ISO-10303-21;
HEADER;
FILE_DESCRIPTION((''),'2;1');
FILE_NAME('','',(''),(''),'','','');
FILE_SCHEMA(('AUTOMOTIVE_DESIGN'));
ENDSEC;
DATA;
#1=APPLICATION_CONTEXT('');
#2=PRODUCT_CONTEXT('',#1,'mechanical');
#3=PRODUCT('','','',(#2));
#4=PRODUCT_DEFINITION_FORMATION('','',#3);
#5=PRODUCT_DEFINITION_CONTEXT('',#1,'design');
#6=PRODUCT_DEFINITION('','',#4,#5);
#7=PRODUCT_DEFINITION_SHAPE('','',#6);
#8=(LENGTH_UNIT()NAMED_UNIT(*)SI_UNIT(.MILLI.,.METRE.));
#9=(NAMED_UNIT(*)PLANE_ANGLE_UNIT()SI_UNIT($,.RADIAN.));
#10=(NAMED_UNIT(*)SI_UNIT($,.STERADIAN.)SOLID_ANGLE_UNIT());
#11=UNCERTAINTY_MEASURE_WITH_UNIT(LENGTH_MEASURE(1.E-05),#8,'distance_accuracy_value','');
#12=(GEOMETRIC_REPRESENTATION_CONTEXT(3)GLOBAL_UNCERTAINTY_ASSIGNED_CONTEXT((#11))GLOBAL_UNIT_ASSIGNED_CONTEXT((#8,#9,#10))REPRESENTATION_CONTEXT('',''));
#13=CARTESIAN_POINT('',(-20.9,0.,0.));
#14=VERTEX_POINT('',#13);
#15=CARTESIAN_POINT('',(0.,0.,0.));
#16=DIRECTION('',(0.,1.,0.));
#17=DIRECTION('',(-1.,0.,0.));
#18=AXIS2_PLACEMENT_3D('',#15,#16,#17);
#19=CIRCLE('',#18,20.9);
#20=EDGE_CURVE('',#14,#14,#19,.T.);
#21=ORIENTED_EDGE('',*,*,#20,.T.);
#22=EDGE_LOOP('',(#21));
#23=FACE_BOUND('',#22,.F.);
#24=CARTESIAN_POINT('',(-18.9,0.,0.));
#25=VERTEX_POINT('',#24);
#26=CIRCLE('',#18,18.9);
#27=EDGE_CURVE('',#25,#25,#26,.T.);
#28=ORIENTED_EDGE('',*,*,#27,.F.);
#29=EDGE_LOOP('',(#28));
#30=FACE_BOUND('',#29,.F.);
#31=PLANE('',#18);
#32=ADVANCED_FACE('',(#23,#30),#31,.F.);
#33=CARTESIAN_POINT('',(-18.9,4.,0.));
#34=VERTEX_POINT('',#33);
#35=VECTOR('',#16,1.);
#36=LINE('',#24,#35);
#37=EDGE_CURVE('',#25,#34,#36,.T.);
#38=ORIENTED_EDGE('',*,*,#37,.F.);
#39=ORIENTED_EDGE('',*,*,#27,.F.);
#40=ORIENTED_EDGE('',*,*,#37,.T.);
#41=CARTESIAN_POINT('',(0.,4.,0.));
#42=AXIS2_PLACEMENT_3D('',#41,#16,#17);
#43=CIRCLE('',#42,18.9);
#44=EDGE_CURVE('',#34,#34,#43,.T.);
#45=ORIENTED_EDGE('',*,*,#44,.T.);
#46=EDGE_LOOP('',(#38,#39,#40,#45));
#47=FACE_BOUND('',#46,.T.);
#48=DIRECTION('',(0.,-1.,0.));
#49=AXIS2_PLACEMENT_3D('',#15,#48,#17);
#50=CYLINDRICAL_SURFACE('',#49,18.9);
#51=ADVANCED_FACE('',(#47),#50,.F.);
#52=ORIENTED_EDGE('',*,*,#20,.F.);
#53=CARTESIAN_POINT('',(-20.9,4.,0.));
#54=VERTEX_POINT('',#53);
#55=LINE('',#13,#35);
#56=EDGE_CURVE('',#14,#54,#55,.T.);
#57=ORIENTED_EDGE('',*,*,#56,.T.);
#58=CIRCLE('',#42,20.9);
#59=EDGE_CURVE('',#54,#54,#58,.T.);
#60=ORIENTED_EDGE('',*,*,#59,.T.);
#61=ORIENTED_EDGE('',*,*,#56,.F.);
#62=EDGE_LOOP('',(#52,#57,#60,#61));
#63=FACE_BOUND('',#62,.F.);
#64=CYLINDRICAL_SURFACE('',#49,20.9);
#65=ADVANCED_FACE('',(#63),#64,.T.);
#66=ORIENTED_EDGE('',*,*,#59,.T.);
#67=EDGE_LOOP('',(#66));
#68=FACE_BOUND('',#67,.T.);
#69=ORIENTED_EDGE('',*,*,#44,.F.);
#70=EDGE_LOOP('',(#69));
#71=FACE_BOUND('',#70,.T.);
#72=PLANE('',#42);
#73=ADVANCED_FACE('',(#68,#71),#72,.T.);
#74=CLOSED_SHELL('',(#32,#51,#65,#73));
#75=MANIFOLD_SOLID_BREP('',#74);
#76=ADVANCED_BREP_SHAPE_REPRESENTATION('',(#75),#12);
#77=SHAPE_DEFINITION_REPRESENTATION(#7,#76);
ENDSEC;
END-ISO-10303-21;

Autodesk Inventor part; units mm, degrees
ref_plane "YZ Plane" through (0, 0, 0) normal (1, 0, 0) x (0, 1, 0)
ref_plane "XZ Plane" through (0, 0, 0) normal (0, 1, 0) x (-1, 0, 0)
ref_plane "XY Plane" through (0, 0, 0) normal (0, 0, 1) x (1, 0, 0)
sketch "Sketch1" plane through (0, 0, 0) normal (0, 1, 0) x (-1, 0, 0)
  circle A0 centre (0, 0) radius 20.9
  circle A1 centre (0, 0) radius 18.9
  dimension "d0" = 41.8
  dimension "d1" = 2
extrude "Extrusion1" add sketch "Sketch1" along normal blind 4
properties part number "Prueba_Cilindro2"
